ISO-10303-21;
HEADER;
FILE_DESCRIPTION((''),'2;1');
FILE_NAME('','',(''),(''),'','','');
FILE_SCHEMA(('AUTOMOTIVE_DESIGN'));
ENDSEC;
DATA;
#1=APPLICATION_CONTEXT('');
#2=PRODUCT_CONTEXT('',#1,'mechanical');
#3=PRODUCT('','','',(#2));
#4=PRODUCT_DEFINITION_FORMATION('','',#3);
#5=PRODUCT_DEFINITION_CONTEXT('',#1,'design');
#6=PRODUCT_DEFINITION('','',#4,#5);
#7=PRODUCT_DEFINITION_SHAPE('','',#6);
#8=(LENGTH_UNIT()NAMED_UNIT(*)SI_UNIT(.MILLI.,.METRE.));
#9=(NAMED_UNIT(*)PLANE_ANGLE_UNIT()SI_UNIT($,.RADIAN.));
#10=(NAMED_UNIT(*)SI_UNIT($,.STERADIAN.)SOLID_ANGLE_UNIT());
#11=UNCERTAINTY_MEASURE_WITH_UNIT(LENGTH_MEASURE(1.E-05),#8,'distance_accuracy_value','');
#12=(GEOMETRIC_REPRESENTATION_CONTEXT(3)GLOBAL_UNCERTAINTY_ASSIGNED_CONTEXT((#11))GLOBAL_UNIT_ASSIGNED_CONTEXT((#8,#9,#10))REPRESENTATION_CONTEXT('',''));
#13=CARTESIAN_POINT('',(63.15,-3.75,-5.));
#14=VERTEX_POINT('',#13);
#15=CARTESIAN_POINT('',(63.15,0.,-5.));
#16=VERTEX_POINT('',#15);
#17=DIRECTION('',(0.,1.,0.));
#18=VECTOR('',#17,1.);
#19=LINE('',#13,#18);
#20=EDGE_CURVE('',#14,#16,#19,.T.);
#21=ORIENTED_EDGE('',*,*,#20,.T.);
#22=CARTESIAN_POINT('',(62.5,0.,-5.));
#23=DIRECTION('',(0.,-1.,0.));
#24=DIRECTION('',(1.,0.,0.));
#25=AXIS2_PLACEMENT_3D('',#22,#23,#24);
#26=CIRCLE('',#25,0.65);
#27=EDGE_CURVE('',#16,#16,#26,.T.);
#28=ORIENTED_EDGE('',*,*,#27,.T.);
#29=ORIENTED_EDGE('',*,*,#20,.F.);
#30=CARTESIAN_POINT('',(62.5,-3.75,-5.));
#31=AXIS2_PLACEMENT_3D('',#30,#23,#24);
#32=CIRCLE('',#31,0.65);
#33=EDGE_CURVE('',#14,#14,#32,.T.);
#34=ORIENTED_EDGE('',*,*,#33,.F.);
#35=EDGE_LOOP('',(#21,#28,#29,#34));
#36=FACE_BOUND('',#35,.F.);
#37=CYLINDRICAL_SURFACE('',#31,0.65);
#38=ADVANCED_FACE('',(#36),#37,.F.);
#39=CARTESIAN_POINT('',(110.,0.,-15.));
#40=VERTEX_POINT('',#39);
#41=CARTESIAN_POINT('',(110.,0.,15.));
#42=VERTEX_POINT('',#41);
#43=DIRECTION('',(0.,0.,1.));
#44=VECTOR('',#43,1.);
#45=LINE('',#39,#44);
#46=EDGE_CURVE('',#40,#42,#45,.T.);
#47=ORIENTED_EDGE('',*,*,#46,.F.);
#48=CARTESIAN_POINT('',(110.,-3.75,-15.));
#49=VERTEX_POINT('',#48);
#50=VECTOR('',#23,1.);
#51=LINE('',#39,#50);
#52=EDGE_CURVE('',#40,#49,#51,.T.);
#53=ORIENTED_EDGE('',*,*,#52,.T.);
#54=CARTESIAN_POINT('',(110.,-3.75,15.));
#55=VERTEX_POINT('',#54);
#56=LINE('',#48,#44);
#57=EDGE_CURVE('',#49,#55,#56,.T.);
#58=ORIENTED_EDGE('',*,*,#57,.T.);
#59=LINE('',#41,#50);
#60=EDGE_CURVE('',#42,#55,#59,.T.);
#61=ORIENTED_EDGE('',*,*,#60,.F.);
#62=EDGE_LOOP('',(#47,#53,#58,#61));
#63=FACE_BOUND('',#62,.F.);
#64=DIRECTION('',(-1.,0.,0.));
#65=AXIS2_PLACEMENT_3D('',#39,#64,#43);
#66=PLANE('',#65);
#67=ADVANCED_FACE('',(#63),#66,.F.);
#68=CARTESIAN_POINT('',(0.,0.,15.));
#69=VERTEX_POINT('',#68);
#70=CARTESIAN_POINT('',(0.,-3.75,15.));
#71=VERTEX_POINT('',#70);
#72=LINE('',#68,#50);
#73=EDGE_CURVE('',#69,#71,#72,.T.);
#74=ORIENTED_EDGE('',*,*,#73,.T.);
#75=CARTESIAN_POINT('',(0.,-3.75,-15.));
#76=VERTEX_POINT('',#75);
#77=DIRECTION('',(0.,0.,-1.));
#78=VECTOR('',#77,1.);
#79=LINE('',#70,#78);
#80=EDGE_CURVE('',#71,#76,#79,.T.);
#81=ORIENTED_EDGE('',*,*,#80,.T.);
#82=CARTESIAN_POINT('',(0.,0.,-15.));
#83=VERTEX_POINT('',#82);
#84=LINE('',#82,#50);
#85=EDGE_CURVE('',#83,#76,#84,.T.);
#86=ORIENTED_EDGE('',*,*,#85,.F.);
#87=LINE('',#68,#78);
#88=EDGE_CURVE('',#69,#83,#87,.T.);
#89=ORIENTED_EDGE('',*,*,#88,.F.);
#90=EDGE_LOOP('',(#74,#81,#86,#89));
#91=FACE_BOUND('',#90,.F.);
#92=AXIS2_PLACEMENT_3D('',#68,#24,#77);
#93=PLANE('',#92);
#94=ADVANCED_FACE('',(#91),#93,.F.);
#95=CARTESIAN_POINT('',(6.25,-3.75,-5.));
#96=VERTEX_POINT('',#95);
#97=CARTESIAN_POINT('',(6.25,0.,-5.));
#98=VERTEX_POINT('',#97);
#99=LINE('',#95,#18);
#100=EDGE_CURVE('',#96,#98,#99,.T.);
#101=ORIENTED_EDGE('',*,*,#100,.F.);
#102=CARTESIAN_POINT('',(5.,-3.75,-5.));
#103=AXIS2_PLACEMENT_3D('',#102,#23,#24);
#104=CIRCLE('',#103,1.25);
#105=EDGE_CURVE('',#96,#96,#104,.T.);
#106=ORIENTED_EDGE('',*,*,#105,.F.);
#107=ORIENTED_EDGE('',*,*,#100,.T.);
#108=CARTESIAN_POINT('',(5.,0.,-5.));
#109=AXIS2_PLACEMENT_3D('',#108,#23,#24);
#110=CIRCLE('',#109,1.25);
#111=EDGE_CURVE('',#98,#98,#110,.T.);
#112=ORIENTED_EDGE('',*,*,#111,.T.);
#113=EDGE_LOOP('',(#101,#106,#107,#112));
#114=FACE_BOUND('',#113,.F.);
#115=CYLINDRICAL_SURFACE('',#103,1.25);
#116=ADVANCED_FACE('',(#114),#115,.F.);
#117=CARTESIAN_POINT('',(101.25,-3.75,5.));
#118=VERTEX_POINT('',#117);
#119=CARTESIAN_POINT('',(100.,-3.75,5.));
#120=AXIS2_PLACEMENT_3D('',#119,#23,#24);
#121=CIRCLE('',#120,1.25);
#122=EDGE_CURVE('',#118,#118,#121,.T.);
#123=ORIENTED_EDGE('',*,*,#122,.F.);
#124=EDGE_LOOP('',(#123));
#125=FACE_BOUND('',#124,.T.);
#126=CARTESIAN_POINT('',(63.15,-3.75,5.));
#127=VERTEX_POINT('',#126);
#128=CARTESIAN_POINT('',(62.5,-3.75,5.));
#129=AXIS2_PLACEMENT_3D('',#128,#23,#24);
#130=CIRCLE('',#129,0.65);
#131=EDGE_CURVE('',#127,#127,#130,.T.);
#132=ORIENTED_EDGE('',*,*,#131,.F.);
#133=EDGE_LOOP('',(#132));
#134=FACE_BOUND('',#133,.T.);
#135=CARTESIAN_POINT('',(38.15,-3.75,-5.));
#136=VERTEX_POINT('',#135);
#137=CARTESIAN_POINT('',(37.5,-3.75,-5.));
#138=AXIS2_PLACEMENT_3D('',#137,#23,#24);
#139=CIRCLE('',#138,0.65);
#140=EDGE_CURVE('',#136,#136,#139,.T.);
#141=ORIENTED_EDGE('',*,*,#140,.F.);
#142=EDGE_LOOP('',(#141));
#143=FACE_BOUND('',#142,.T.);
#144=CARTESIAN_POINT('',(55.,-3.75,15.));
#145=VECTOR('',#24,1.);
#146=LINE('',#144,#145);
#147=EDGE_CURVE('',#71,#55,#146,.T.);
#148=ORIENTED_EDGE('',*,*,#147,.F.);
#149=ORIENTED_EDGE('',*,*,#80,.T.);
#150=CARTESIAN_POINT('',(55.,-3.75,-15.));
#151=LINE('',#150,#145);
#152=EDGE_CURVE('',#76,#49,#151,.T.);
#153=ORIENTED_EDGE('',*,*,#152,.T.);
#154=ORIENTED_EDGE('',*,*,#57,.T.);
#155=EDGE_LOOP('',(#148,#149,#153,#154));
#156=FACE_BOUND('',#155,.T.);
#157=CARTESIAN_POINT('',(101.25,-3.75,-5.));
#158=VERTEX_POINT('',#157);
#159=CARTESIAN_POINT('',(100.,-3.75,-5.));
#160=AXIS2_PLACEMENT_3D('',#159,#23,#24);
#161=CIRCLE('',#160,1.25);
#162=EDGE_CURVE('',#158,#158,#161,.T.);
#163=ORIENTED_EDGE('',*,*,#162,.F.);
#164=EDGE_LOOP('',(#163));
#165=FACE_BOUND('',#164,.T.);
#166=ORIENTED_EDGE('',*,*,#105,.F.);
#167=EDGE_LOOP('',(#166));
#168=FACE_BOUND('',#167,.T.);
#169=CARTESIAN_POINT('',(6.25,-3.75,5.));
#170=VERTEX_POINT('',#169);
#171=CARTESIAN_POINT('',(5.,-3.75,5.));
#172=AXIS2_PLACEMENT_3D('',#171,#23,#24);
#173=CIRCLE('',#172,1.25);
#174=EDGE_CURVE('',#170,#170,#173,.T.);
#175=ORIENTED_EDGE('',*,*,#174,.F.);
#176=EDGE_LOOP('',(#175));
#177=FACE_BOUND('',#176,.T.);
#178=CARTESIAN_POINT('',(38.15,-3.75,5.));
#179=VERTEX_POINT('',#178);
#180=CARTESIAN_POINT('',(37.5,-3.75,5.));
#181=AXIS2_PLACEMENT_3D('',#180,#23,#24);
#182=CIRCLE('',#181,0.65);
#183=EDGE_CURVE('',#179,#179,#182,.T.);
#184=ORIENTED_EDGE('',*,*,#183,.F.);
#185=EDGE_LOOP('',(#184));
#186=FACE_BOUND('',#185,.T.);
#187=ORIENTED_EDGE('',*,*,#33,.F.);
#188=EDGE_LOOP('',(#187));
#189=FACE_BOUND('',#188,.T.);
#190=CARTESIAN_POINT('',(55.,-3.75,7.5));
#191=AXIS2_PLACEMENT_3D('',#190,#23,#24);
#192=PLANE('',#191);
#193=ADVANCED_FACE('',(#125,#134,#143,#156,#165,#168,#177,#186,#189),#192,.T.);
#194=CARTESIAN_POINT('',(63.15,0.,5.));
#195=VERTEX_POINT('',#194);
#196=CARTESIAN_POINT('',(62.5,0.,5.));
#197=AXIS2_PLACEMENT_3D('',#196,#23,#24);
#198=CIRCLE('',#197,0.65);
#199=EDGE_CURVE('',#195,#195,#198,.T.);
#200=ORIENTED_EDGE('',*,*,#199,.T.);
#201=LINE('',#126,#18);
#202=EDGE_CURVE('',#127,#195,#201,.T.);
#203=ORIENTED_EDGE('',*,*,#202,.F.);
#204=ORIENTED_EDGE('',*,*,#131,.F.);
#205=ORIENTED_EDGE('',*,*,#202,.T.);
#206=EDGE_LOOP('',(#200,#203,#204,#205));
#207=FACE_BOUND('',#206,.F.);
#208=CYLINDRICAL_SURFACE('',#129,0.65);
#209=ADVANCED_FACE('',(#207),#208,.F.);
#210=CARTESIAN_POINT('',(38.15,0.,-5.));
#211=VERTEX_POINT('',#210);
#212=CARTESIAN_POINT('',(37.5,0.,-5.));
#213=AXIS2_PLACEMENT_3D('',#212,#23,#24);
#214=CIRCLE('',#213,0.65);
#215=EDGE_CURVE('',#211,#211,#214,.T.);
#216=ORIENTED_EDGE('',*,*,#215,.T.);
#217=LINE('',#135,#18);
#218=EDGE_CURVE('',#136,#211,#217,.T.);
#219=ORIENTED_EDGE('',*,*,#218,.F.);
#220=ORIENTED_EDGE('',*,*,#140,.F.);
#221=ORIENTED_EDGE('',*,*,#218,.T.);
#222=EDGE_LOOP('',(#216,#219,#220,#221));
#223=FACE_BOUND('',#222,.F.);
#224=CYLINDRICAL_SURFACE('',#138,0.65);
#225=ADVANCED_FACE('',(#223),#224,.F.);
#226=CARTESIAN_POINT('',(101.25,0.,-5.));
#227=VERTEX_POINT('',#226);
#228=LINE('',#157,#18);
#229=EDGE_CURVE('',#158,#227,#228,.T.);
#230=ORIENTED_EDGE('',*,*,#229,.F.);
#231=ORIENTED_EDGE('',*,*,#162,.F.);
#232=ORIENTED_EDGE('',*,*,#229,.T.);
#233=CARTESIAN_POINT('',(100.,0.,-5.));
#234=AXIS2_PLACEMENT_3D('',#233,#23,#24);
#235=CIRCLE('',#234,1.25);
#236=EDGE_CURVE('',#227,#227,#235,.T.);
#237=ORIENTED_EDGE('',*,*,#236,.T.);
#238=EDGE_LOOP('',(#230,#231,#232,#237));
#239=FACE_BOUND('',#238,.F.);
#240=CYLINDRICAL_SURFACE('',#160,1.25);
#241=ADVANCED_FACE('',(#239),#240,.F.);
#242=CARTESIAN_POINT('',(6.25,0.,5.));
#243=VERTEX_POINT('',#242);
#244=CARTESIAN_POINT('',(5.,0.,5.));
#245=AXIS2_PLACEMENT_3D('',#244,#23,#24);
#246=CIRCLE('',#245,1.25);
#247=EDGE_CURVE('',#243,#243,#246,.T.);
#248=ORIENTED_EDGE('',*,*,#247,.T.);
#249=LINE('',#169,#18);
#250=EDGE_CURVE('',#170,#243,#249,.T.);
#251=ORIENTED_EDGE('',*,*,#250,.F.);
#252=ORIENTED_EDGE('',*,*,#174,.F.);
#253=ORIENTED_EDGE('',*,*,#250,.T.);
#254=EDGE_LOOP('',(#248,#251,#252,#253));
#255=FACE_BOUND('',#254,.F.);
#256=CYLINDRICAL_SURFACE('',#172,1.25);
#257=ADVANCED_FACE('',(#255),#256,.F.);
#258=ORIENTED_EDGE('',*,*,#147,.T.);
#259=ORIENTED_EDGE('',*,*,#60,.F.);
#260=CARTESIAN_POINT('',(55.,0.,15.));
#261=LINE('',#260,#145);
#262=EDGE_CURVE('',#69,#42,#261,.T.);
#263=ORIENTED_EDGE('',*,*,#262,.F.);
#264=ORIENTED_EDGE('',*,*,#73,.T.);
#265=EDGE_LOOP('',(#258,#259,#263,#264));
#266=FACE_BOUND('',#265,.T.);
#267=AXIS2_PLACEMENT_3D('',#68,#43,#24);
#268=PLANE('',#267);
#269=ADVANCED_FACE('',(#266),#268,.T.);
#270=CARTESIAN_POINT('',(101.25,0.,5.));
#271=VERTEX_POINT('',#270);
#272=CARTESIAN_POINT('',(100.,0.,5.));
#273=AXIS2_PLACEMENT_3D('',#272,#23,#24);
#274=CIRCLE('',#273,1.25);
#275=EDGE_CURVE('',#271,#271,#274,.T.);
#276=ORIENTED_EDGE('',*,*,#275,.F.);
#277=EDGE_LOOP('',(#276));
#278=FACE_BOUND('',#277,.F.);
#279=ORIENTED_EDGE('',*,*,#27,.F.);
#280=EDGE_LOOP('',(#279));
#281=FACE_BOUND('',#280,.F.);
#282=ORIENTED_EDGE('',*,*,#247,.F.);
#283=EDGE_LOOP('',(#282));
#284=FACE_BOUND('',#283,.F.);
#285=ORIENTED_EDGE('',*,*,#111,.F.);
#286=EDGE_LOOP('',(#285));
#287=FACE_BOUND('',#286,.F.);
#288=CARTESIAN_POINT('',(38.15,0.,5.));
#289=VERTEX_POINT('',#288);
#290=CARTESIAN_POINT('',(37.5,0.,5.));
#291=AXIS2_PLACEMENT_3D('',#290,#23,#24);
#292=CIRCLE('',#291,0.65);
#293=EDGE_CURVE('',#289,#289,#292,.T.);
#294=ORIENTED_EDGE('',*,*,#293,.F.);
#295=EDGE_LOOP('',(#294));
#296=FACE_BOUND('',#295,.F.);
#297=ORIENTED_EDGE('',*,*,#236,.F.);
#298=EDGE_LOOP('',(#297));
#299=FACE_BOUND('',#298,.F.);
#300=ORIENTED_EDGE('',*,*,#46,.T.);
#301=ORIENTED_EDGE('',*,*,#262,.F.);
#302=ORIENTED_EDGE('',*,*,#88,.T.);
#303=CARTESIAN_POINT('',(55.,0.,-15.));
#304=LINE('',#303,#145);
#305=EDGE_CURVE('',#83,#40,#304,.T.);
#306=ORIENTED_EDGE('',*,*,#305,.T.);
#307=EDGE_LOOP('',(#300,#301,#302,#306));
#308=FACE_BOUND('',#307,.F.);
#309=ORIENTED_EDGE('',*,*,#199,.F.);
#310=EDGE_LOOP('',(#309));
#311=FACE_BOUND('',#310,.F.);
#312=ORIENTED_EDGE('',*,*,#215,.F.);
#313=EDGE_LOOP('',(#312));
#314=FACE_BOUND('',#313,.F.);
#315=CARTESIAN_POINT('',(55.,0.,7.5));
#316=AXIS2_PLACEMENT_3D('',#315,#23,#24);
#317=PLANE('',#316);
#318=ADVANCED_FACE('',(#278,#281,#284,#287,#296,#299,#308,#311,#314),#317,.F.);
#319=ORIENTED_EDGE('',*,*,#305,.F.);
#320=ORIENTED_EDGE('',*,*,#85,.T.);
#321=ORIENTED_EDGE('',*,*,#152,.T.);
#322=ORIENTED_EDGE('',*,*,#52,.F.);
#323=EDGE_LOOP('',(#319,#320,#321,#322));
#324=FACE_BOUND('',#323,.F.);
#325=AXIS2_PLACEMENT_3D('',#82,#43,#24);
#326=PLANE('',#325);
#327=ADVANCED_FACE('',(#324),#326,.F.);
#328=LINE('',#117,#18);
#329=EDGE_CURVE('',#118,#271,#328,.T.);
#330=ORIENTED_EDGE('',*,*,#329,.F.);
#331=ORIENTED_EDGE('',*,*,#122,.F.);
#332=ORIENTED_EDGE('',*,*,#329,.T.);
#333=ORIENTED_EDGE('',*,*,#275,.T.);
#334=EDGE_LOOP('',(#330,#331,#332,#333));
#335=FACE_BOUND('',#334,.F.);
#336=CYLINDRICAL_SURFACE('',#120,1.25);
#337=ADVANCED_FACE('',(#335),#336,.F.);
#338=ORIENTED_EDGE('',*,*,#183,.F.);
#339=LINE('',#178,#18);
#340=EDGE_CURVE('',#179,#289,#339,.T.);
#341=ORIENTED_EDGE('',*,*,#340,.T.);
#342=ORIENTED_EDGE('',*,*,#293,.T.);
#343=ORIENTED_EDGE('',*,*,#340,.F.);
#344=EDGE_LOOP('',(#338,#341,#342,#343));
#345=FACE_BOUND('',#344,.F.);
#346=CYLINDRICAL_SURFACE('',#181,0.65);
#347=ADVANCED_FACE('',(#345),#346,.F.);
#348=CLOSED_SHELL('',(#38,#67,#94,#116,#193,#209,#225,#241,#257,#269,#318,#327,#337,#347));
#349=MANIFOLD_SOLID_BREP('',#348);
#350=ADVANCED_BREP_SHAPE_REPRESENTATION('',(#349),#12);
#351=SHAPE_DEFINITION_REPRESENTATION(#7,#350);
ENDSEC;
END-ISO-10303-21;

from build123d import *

# Parameters (mm, degrees)
F0_W     = 110
F0_H     = 15
F1_DEPTH = 3.75
F2_R     = 1.25
F2_R_2   = 0.65
F3_DEPTH = 25


with BuildPart() as f1:
    # F0 (on Front) → F1 (new body)
    with BuildSketch(Plane.XZ):
        with Locations((55, 7.5)):
            Rectangle(F0_W, F0_H)
        with Locations((55, -7.5)):
            Rectangle(F0_W, F0_H)
    extrude(amount=F1_DEPTH)

    # F2 (on face) → F3 (cut)
    with BuildSketch(Plane.XZ.offset(3.75)):
        with Locations((5, 5)):
            Circle(F2_R)
        with Locations((100, 5)):
            Circle(F2_R)
        with Locations((62.5, 5)):
            Circle(F2_R_2)
        with Locations((37.5, 5)):
            Circle(F2_R_2)
        with Locations((5, -5)):
            Circle(F2_R)
        with Locations((37.5, -5)):
            Circle(F2_R_2)
        with Locations((62.5, -5)):
            Circle(F2_R_2)
        with Locations((100, -5)):
            Circle(F2_R)
    extrude(amount=-F3_DEPTH, mode=Mode.SUBTRACT)


solid = f1.part
